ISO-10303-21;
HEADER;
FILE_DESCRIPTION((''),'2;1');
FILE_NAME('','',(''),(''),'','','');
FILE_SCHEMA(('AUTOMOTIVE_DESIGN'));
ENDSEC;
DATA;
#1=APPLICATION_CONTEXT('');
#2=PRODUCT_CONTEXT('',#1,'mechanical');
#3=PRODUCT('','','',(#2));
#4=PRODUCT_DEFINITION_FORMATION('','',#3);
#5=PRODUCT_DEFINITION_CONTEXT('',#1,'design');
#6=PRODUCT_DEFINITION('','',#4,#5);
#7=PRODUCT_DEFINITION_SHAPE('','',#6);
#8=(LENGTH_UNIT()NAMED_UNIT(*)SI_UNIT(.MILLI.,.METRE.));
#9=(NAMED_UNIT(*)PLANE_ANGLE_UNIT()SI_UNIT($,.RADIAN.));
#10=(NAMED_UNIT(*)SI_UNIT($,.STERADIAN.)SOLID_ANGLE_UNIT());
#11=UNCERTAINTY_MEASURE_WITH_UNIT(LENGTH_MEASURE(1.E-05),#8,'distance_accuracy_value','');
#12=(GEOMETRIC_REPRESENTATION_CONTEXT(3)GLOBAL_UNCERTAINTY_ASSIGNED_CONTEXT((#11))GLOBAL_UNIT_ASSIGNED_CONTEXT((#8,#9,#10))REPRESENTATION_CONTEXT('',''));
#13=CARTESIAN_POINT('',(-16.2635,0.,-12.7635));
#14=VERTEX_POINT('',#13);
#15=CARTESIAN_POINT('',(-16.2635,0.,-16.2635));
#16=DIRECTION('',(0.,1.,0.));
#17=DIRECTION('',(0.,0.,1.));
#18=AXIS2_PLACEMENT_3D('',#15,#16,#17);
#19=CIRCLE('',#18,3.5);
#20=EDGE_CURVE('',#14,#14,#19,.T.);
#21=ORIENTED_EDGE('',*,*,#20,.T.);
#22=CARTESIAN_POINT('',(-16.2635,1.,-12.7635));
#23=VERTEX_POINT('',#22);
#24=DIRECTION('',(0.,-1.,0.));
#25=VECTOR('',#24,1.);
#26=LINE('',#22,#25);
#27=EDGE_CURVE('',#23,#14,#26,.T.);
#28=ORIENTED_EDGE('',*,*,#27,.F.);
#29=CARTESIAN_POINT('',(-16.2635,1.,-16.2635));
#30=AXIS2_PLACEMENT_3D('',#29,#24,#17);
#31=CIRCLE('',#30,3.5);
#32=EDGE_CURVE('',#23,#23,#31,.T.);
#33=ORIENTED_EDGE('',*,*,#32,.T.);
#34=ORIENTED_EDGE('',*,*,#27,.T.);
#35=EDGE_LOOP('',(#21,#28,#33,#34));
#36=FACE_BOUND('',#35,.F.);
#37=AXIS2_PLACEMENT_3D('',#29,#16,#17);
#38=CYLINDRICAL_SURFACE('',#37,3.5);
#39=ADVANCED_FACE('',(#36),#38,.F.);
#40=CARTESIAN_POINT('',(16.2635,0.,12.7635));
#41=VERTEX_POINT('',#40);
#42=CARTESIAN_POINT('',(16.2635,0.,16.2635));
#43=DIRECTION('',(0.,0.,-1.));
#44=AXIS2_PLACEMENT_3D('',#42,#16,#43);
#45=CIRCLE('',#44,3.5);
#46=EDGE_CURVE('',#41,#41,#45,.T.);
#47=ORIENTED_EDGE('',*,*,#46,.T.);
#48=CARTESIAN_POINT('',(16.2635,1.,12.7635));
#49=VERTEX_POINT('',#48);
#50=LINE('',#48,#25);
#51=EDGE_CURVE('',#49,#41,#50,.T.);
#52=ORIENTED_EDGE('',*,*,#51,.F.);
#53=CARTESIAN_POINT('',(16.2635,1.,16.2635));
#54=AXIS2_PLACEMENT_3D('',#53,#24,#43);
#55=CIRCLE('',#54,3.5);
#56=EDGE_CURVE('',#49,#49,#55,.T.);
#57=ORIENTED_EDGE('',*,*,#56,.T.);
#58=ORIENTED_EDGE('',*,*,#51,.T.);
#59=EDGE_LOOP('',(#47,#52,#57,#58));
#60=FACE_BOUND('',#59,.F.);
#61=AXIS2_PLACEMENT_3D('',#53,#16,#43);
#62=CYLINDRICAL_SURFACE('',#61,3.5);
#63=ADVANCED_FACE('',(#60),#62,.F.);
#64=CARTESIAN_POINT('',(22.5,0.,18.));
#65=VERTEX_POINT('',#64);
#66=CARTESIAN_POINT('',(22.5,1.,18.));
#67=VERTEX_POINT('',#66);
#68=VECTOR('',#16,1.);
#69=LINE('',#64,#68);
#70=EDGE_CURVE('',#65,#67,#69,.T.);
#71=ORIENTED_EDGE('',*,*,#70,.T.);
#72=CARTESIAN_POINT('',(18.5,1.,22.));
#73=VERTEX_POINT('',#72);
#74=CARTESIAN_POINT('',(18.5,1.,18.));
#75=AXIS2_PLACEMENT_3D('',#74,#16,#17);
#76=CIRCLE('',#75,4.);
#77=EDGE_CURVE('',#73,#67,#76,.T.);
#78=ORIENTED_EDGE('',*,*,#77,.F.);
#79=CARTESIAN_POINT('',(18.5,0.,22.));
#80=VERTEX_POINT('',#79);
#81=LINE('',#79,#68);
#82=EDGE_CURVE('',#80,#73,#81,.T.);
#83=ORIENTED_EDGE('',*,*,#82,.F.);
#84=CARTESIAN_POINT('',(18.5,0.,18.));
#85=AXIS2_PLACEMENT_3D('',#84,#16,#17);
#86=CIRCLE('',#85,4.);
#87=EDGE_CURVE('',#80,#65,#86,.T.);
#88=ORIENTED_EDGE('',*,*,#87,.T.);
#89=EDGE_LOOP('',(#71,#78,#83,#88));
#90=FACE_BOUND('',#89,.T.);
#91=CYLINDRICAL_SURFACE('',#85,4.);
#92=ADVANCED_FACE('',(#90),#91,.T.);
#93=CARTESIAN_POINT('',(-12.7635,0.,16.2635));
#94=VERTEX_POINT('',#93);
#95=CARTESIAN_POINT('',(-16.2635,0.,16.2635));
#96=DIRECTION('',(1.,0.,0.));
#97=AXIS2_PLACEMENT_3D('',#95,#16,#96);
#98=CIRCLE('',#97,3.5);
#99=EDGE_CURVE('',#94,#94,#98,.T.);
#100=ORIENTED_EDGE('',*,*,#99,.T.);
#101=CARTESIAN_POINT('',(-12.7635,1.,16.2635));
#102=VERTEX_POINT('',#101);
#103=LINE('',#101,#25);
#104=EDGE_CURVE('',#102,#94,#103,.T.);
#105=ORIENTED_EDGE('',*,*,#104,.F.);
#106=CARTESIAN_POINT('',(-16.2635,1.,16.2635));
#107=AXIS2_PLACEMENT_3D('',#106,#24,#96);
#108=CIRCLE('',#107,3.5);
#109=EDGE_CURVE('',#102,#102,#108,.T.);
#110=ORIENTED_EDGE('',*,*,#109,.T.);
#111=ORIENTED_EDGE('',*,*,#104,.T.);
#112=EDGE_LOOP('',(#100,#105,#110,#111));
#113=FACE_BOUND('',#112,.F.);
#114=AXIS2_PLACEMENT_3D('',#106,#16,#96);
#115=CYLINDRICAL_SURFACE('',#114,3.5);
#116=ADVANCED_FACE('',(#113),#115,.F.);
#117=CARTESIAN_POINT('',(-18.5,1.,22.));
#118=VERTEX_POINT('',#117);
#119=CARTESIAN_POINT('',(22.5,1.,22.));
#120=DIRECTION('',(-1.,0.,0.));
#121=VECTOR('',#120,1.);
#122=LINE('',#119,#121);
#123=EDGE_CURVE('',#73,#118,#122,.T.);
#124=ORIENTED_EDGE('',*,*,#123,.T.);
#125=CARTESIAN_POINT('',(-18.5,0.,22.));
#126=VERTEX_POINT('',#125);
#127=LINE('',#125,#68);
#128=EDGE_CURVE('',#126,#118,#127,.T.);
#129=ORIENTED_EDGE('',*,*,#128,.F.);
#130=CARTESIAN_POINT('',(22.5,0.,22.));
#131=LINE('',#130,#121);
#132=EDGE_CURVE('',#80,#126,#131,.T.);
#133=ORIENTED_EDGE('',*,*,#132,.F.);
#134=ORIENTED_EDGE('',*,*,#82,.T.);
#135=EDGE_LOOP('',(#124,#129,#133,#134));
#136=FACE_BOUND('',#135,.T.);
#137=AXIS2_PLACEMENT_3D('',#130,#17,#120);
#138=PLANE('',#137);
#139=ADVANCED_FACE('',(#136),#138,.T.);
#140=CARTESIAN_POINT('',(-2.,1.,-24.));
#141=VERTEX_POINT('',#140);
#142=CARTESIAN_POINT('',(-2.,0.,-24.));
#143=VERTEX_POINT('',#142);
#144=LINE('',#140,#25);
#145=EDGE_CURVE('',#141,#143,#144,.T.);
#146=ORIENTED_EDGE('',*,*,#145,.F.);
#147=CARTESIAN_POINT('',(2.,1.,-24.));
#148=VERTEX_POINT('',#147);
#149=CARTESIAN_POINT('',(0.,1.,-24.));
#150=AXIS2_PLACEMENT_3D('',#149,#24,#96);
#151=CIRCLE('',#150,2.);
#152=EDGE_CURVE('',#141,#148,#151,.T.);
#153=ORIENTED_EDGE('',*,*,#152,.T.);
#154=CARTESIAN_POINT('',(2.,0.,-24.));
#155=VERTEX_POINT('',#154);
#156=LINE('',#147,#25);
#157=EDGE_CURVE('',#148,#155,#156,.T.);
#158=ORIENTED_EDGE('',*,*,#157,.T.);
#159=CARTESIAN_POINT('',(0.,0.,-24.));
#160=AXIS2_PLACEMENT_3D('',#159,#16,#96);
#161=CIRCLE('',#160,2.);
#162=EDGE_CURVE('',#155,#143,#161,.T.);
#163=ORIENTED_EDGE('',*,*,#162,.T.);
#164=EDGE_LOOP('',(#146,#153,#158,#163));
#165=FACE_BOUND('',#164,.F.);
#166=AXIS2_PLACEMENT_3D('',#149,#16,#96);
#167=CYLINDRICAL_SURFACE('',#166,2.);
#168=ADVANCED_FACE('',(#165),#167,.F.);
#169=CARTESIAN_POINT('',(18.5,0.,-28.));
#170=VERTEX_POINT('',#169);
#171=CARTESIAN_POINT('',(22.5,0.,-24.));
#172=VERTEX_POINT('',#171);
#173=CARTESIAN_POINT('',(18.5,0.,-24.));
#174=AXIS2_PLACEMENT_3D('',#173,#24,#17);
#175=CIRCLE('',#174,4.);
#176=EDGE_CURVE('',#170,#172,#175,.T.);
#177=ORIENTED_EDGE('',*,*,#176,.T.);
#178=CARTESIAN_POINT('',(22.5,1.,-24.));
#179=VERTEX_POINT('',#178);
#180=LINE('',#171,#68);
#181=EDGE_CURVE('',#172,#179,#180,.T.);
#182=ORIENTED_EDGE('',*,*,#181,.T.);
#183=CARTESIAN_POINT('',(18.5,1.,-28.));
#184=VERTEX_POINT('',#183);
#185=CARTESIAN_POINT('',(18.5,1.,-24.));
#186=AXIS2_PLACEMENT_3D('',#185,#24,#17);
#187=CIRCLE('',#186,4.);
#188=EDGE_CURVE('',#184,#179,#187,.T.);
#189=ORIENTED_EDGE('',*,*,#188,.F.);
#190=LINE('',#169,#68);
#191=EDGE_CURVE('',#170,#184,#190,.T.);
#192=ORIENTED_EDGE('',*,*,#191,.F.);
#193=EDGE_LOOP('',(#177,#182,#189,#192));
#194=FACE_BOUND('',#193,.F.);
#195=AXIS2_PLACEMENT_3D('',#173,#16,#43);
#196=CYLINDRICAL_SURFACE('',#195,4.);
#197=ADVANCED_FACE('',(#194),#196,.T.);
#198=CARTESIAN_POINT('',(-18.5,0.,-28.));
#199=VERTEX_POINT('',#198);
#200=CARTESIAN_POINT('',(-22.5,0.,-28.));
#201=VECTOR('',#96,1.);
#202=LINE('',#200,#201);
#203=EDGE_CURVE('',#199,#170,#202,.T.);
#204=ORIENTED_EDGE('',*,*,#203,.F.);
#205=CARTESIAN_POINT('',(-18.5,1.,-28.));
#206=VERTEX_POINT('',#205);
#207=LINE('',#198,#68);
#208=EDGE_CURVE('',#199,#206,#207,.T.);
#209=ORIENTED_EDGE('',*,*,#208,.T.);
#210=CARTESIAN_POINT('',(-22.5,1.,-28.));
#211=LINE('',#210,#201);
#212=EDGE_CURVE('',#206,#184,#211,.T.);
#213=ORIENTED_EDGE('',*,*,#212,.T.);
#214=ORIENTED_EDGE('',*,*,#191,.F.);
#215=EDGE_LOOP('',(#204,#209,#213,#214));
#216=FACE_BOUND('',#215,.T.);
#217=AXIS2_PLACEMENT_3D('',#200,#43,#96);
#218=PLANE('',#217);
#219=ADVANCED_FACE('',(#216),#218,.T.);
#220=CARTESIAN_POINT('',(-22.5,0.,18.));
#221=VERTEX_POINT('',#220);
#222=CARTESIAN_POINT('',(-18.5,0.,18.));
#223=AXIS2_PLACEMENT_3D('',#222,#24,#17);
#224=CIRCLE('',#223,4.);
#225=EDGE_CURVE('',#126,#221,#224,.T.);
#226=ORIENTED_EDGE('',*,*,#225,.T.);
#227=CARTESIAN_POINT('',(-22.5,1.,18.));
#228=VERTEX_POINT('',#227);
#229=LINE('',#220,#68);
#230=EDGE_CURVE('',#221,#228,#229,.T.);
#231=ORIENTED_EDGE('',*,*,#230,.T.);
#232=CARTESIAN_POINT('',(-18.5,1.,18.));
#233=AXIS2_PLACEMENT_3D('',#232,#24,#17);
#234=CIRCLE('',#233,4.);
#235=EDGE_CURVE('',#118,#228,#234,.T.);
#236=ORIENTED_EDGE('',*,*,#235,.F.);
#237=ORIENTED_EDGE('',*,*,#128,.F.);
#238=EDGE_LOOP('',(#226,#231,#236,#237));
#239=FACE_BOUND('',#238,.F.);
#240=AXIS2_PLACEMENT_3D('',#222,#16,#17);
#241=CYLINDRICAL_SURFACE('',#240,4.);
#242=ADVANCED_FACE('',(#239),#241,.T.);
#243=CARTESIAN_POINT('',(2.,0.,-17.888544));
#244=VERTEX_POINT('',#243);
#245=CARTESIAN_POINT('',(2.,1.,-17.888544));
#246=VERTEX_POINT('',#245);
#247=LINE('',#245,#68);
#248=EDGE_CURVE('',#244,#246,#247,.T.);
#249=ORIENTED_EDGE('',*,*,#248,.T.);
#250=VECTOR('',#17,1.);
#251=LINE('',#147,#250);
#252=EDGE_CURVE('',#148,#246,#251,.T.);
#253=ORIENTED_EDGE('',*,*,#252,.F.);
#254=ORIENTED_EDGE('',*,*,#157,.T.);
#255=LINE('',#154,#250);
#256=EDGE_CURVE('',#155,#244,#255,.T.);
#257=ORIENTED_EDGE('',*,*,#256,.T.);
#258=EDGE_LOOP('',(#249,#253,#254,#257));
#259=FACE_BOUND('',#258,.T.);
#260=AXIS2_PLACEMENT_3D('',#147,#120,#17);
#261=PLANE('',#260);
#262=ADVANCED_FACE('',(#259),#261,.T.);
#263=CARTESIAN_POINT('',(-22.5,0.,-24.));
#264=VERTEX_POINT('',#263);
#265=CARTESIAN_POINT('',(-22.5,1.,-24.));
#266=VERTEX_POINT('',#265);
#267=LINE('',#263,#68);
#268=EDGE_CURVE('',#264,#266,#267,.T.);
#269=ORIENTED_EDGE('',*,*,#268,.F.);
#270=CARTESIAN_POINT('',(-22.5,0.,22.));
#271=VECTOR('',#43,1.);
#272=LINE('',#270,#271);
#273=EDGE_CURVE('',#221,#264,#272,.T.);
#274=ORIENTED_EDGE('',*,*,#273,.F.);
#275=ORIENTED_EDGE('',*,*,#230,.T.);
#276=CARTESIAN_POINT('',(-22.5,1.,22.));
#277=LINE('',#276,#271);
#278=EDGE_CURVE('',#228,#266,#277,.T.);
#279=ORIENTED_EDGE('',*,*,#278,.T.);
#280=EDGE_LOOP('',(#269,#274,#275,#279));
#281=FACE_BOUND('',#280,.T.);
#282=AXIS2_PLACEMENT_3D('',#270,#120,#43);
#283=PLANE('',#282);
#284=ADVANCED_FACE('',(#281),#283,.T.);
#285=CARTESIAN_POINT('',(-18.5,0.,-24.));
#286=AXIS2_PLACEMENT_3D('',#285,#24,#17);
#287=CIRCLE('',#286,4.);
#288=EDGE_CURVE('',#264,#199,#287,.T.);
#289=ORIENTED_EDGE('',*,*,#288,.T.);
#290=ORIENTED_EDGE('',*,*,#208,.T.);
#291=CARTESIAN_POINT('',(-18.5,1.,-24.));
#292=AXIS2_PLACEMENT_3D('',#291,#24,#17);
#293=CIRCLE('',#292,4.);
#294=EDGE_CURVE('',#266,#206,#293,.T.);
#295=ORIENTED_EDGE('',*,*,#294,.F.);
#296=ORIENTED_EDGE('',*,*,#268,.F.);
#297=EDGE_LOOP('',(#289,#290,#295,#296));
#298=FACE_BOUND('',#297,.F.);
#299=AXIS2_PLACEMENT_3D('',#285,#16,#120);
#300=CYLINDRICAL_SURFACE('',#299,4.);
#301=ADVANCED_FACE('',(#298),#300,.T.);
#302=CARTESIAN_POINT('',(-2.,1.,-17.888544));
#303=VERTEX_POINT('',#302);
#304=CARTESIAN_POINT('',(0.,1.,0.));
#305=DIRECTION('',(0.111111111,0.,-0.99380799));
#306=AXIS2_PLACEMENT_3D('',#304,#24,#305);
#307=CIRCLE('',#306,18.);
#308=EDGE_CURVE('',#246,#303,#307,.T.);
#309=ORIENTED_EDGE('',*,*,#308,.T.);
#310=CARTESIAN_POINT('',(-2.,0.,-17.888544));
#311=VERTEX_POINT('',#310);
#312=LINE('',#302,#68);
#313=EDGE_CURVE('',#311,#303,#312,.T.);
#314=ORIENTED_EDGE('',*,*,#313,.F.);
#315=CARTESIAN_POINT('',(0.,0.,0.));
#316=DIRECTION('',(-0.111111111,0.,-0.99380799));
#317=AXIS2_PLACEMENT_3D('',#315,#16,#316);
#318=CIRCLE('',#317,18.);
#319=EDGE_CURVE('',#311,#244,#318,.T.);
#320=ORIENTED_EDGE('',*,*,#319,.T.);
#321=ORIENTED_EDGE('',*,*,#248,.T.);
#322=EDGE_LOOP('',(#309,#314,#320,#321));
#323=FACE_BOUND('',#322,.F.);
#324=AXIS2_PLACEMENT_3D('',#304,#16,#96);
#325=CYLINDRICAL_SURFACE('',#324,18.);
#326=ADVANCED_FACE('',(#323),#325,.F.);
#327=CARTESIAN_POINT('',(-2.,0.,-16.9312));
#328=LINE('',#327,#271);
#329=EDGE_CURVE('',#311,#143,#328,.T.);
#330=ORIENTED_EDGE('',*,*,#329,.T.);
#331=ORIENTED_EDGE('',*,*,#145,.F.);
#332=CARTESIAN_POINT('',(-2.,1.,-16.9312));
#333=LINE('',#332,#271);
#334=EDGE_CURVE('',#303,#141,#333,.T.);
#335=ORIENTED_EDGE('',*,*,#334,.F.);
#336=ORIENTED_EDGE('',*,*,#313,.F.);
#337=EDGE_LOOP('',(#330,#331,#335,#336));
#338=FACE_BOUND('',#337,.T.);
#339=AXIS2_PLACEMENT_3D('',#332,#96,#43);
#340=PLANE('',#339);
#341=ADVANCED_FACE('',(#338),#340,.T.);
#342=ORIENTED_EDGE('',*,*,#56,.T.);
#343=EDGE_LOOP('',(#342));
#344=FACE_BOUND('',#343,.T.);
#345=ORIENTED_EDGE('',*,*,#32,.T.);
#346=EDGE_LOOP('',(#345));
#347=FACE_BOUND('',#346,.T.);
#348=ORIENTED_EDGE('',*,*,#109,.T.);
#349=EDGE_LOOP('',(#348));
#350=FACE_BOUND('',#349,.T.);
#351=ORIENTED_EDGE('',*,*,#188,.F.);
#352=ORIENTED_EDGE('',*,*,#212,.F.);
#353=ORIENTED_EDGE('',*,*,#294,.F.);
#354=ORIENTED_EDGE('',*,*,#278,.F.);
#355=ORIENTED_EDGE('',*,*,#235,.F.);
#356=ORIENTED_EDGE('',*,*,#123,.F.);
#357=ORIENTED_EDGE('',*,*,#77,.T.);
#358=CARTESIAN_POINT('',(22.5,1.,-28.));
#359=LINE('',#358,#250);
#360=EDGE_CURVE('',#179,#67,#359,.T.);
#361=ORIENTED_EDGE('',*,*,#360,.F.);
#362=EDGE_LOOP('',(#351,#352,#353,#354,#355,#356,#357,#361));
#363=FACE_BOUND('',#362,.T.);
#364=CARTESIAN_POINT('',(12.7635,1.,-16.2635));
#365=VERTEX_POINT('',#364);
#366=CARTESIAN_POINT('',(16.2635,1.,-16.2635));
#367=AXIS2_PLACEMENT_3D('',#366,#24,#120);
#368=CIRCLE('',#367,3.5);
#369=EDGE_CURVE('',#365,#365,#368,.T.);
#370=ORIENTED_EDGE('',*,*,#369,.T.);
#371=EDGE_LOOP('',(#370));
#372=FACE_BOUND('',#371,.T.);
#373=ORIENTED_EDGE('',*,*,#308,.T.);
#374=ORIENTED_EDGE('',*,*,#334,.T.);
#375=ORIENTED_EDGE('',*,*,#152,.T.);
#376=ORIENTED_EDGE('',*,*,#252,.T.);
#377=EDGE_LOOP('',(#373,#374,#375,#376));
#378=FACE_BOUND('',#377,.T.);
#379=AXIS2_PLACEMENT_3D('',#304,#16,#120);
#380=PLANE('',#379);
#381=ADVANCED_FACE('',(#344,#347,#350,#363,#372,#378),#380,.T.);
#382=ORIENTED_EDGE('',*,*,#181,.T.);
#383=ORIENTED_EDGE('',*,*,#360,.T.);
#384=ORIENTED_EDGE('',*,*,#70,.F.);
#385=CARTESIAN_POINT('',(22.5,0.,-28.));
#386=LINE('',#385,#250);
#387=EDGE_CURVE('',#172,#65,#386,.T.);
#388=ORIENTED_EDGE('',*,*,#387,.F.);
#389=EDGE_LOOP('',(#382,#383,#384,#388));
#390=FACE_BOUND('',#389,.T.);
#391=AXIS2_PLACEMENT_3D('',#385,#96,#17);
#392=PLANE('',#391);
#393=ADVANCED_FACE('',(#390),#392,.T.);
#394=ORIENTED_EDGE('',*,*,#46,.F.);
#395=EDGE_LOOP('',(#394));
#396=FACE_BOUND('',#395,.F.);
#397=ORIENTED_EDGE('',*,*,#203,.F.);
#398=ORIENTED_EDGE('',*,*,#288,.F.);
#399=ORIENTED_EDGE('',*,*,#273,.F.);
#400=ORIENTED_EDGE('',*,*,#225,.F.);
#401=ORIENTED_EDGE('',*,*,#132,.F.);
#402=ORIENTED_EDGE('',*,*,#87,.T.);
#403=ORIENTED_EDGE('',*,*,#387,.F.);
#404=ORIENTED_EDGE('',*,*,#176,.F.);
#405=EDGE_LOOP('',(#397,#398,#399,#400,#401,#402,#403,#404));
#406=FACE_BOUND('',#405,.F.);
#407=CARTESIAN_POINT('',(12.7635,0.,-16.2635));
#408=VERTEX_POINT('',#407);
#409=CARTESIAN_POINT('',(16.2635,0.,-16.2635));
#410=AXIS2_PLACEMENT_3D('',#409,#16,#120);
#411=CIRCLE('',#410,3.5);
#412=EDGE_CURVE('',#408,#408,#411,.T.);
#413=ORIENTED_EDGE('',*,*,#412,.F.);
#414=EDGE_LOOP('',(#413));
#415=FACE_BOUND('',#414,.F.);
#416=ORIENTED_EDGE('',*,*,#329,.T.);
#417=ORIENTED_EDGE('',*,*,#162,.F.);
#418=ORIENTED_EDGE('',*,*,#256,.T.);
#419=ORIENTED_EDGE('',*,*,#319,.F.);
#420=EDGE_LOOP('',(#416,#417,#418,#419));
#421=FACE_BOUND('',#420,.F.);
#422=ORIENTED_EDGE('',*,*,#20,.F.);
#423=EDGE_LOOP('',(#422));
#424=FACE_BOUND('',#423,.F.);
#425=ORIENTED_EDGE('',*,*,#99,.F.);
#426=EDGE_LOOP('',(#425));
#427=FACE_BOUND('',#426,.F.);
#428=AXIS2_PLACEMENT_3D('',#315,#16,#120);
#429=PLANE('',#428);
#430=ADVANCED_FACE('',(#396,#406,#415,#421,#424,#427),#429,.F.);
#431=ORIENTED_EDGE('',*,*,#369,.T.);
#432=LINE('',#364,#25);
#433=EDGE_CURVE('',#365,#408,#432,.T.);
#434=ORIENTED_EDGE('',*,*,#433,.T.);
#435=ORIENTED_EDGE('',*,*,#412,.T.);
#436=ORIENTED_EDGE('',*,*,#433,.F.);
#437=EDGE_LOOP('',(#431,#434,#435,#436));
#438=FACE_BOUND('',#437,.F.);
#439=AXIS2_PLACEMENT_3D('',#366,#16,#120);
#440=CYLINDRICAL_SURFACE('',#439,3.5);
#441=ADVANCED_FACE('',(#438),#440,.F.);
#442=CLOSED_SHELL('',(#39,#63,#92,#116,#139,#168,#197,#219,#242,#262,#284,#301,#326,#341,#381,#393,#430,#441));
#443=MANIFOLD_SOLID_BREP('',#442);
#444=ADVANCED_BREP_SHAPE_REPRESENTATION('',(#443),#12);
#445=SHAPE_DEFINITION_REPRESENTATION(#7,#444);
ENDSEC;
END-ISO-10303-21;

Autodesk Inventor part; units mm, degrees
ref_plane "YZ Plane" through (0, 0, 0) normal (1, 0, 0) x (0, 1, 0)
ref_plane "XZ Plane" through (0, 0, 0) normal (0, 1, 0) x (-1, 0, 0)
ref_plane "XY Plane" through (0, 0, 0) normal (0, 0, 1) x (1, 0, 0)
sketch "Sketch1" plane through (0, 0, 0) normal (0, 1, 0) x (-1, 0, 0)
  line L0 (-22.5, 22) -> (22.5, 22)
  line L1 (22.5, 22) -> (22.5, -28)
  line L2 (22.5, -28) -> (-22.5, -28)
  line L3 (-22.5, -28) -> (-22.5, 22)
  line L4 (-22.5, 22) -> (22.5, -28) construction
  line L5 (22.5, 22) -> (-22.5, -28) construction
  point P0 (0, 0)
  point P1 (0, -3)
  dimension "d0" = 45
  dimension "d1" = 50
  dimension "d26" = 22
  dimension "d35" = 3
extrude "Extrusion1" add sketch "Sketch1" along normal blind 1
fillet "Fillet1" radius 4 4 edges at (22.5, 0.5, 22) (-22.5, 0.5, 22) (-22.5, 0.5, -28) (22.5, 0.5, -28)
sketch "Sketch2" plane through (0, 1, 0) normal (0, 1, 0) x (1, 0, 0)
  circle A0 centre (0, 0) radius 18
  dimension "d5" = 36
extrude "Extrusion2" cut sketch "Sketch2" against normal blind 1
sketch "Sketch4" plane through (0, 1, 0) normal (0, 1, 0) x (1, 0, 0)
  line L0 (0, 0) -> (0, 24)
  circle A0 centre (0, 24) radius 2
  dimension "d15" = 24
  dimension "d16" = 4
extrude "Extrusion4" cut sketch "Sketch4" against normal blind 1
sketch "Sketch6" plane through (0, 1, 0) normal (0, 1, 0) x (1, 0, 0)
  line L0 (0, 0) -> (-16.2635, -16.2635)
  line L1 (0, 0) -> (23, 0) construction
  circle A0 centre (-16.2635, -16.2635) radius 3.5
  dimension "d27" = 23
  dimension "d28" = 135
  dimension "d29" = 7
extrude "Extrusion6" cut sketch "Sketch6" against normal blind 1
pattern_circular "Circular Pattern2" count 4 over 360 about axis through (0, 1, 0) along (0, -1, 0) of "Extrusion6"
sketch "Sketch7" plane through (0, 1, 0) normal (0, 1, 0) x (1, 0, 0)
  circle A0 centre (0, 24) radius 2 projected
  line L0 (-2, 24) -> (2, 24)
  line L1 (2, 24) -> (2, 16.9312)
  line L2 (2, 16.9312) -> (-2, 16.9312)
  line L3 (-2, 16.9312) -> (-2, 24)
  point P0 (0, 0)
extrude "Extrusion7" cut sketch "Sketch7" against normal blind 1 contours L1 L2 L3 A0
properties part number "cylinder head gasket"
